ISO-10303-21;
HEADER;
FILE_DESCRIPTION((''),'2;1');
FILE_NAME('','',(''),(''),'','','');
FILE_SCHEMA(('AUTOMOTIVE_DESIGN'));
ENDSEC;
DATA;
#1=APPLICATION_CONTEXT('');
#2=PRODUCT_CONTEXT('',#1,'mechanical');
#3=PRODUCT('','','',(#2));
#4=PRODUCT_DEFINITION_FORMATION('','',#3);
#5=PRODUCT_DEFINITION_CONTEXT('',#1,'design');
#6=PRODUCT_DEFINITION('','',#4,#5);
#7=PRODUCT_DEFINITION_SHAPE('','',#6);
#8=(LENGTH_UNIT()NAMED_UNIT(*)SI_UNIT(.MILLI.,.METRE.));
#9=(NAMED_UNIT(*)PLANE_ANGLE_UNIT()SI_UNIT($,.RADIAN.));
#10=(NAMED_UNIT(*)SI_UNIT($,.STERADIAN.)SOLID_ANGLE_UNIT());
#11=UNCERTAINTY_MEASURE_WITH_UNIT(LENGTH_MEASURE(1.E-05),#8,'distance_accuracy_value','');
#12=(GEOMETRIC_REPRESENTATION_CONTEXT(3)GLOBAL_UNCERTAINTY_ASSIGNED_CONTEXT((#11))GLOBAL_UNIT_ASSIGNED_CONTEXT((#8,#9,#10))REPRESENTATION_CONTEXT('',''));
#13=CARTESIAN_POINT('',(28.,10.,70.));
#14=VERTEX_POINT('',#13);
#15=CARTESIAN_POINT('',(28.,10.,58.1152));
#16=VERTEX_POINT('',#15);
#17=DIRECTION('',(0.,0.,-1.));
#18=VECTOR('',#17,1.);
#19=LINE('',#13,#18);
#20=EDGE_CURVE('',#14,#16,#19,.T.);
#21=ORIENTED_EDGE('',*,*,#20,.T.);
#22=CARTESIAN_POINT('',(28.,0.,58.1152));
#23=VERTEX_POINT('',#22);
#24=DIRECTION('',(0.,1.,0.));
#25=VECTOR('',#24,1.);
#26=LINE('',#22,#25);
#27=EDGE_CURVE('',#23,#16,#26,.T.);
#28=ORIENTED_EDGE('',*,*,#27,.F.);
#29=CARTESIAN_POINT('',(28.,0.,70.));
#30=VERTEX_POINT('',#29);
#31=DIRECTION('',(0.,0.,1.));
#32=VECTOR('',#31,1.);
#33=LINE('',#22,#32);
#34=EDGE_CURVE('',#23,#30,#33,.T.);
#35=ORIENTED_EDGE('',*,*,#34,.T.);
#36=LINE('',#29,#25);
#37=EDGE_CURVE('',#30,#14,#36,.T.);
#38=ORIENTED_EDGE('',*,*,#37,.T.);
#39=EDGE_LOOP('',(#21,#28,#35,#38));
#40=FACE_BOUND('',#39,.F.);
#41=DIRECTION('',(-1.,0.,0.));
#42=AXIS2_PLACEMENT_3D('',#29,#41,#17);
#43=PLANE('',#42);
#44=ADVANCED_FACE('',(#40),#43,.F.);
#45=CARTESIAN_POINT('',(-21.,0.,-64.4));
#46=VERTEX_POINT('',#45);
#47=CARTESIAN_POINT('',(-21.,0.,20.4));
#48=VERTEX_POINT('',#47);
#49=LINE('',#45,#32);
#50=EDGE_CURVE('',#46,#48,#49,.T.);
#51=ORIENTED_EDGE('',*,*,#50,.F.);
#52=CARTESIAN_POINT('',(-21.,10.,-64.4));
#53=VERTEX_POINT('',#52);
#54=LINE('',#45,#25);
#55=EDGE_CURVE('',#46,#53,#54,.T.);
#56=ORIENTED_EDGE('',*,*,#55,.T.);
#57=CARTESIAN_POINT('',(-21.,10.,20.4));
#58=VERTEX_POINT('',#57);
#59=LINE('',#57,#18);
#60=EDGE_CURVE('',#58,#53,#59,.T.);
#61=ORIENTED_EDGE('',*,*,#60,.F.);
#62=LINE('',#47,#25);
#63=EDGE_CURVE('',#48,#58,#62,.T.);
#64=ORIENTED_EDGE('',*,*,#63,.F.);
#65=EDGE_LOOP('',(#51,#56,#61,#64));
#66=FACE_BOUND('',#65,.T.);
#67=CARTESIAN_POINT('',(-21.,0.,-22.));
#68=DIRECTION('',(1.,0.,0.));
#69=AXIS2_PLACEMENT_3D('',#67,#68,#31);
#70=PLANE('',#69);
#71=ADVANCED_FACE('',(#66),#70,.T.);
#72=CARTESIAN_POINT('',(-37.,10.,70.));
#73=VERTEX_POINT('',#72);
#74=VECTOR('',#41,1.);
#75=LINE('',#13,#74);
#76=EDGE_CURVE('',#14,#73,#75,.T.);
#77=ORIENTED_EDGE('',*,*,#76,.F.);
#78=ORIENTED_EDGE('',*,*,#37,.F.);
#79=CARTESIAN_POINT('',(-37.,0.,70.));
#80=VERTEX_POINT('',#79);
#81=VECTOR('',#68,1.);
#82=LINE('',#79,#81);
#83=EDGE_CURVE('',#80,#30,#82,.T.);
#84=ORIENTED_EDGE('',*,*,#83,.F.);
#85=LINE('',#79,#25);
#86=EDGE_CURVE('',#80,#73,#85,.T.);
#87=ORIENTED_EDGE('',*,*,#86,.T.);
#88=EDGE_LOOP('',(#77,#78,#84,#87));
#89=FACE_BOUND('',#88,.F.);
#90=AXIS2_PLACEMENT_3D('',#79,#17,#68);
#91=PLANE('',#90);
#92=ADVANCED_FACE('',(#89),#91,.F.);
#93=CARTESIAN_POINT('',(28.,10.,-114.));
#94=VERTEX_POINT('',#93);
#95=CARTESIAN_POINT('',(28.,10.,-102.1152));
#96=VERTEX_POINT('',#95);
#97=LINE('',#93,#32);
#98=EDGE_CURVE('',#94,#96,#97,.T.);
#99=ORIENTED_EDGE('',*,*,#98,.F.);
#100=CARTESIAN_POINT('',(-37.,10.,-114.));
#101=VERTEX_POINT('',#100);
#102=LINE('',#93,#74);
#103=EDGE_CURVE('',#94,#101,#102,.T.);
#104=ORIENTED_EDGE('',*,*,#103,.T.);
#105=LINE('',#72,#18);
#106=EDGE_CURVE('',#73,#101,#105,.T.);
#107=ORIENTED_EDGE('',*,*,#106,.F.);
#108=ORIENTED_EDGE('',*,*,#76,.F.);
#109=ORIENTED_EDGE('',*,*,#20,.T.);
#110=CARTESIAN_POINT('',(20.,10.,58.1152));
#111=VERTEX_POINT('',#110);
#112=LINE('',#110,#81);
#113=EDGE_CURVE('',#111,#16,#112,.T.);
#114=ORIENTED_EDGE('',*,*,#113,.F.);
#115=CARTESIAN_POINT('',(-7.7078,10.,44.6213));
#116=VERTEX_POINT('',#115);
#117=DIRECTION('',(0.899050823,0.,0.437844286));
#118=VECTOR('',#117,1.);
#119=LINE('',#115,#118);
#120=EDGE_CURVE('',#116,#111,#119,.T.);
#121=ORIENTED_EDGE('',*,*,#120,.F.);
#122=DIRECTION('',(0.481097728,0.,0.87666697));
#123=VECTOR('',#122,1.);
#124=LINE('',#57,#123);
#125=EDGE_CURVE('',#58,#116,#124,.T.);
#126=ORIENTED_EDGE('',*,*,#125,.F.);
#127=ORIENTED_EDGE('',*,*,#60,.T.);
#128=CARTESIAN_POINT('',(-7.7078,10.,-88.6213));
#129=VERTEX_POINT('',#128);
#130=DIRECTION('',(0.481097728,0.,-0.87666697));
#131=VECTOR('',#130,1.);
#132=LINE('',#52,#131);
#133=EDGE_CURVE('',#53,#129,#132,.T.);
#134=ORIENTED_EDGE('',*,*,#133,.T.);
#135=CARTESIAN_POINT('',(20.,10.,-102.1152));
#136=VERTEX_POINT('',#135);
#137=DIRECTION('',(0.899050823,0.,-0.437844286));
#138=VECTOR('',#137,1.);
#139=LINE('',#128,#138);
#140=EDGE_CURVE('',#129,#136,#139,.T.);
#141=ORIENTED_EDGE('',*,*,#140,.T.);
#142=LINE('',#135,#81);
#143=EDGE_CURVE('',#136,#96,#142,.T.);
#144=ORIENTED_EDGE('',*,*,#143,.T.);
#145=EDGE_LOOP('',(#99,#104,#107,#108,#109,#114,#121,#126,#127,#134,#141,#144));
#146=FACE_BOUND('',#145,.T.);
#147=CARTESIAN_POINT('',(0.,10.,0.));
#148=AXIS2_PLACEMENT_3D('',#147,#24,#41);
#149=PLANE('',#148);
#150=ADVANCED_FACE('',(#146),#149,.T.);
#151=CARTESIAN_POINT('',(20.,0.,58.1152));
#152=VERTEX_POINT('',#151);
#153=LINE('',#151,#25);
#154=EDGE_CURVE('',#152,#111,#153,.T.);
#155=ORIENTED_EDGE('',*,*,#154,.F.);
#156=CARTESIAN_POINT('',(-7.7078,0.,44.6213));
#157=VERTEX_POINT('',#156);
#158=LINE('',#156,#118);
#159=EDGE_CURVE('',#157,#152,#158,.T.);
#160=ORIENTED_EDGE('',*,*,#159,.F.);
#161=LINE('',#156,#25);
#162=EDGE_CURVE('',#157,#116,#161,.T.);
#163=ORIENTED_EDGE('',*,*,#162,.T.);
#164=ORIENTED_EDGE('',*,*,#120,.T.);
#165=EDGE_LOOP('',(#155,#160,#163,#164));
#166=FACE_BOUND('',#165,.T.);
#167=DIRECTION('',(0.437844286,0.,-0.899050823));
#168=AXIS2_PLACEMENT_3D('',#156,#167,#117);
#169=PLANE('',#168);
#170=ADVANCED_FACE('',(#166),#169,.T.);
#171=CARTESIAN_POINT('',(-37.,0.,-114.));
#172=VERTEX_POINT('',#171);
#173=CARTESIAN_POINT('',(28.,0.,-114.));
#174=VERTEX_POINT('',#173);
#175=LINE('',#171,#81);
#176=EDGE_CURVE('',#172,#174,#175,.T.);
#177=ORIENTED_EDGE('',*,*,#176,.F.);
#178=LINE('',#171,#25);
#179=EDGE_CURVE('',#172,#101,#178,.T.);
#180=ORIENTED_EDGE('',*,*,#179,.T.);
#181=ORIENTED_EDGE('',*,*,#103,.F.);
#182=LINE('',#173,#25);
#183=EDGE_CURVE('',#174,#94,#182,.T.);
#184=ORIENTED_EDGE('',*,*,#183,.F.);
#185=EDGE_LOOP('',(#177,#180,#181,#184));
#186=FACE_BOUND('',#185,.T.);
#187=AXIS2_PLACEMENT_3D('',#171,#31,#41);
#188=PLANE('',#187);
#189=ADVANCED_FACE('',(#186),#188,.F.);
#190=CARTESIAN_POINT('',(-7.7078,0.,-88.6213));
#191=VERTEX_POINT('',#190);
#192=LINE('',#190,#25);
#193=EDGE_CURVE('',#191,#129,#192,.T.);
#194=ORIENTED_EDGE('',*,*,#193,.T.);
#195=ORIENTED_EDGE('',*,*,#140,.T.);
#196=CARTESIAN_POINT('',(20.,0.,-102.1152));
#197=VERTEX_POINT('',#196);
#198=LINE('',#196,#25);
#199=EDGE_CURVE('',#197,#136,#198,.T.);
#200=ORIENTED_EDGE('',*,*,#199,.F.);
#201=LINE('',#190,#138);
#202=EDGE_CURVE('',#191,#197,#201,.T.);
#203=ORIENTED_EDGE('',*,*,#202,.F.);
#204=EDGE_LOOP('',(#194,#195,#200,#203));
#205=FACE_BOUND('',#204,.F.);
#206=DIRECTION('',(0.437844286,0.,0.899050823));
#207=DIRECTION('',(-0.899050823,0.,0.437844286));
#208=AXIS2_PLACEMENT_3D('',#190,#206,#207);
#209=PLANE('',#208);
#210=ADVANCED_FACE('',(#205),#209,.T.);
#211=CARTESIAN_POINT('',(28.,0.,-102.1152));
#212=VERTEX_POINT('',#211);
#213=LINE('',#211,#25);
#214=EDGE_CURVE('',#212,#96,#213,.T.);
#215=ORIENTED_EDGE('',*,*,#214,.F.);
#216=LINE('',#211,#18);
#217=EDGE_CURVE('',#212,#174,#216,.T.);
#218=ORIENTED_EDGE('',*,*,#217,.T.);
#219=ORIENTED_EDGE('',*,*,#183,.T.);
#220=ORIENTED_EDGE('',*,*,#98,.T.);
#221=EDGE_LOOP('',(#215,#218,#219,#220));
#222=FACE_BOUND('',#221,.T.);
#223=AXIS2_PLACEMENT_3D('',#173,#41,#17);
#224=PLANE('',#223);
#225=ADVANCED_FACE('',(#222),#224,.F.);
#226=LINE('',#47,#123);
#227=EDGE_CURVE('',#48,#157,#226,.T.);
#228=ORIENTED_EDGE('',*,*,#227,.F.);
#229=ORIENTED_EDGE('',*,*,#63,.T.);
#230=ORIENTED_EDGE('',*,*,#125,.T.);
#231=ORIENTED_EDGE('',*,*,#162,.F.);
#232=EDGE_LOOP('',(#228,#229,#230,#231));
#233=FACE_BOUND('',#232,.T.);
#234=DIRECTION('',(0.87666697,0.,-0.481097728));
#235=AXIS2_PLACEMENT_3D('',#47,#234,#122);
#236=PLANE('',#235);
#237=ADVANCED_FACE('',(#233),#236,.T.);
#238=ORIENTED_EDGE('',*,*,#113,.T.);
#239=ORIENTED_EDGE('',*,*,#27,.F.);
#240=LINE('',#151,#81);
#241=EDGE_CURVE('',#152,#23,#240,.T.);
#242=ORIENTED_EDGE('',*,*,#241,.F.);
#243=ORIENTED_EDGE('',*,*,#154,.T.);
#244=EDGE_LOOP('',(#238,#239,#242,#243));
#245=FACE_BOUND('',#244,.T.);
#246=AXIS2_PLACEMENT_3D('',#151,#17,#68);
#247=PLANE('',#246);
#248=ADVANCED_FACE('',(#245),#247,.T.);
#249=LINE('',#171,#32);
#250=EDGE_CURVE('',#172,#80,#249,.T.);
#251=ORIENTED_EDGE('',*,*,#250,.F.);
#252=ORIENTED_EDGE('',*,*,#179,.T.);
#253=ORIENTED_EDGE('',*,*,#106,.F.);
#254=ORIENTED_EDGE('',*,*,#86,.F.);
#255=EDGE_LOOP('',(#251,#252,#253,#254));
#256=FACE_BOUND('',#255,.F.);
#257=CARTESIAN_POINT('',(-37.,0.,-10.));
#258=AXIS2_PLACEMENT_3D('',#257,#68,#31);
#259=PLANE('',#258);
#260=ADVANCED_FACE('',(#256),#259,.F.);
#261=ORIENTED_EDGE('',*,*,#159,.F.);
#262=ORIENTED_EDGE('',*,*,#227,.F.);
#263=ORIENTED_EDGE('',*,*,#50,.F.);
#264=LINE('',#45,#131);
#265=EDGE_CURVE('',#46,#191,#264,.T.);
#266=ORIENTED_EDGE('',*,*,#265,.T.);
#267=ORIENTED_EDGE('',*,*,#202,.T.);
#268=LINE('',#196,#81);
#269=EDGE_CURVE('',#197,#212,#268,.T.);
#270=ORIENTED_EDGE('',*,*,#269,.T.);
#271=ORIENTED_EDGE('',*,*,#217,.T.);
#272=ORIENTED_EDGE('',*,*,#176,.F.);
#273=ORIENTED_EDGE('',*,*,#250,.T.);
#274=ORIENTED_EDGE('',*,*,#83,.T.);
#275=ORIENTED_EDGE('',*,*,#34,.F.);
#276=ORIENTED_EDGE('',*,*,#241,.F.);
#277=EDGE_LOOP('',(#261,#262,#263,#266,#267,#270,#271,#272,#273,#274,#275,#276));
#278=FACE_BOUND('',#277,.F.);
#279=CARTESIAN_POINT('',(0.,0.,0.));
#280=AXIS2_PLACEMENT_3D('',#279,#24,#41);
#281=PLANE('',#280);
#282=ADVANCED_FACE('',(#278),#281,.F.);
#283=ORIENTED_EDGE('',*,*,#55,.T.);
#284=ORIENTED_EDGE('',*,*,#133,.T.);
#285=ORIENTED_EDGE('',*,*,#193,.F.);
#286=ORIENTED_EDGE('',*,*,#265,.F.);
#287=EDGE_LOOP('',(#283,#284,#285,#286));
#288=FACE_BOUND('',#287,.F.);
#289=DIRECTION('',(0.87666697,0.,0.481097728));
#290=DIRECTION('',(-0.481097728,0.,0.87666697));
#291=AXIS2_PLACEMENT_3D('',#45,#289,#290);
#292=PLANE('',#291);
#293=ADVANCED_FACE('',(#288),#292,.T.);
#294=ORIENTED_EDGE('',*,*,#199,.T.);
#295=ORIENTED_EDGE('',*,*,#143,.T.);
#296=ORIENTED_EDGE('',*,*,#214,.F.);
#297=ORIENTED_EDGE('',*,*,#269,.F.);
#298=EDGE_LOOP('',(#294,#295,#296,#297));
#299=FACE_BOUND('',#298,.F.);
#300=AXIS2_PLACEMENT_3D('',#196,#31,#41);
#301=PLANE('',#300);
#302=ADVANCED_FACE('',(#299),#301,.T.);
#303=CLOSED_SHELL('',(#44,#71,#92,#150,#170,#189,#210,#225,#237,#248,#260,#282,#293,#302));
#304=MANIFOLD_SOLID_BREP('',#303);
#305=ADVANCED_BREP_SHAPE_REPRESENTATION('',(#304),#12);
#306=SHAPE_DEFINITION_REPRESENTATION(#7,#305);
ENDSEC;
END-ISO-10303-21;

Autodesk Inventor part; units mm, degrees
ref_plane "YZ Plane" through (0, 0, 0) normal (1, 0, 0) x (0, 1, 0)
ref_plane "XZ Plane" through (0, 0, 0) normal (0, 1, 0) x (-1, 0, 0)
ref_plane "XY Plane" through (0, 0, 0) normal (0, 0, 1) x (1, 0, 0)
sketch "Sketch1" plane through (0, 0, 0) normal (0, 1, 0) x (-1, 0, 0)
  line L0 (37, 70) -> (-28, 70)
  line L1 (-28, 70) -> (-28, -10)
  line L2 (-28, -10) -> (37, -10)
  line L3 (37, -10) -> (37, 70)
  circle A0 centre (-28, 6.4944) radius 52.237
  line L4 (21, -22) -> (21, 20.4)
  line L5 (21, 20.4) -> (-15, 86)
  line L6 (7.7078, 44.6213) -> (-20, 58.1152)
  line L7 (-20, 58.1152) -> (-28, 58.1152)
  line L8 (21, -22) -> (37, -22)
  line L9 (37, -22) -> (37, -10)
  point P0 (0, 0)
  point P1 (-28, 58.7314)
  point P2 (21.5645, -10)
  point P3 (3.7799, 47.9522)
  point P4 (21, -10)
  dimension "d0" = 65
  dimension "d1" = 80
  dimension "d5" = 16
  dimension "d7" = 12
extrude "Extrusion1" add sketch "Sketch1" along normal blind 10 contours L3 L2 A0 L5 L0 | L5 A0 L1 L0 | L9 L8 L4 A0 L2 | L6 A0 | A0 L2 L4 L5 | A0 L4 L2 | A0 L7 L1
mirror "Mirror1" about plane through (-21, 0, -22) normal (0, 0, -1) of "Extrusion1"
properties part number "FlanecElement"
